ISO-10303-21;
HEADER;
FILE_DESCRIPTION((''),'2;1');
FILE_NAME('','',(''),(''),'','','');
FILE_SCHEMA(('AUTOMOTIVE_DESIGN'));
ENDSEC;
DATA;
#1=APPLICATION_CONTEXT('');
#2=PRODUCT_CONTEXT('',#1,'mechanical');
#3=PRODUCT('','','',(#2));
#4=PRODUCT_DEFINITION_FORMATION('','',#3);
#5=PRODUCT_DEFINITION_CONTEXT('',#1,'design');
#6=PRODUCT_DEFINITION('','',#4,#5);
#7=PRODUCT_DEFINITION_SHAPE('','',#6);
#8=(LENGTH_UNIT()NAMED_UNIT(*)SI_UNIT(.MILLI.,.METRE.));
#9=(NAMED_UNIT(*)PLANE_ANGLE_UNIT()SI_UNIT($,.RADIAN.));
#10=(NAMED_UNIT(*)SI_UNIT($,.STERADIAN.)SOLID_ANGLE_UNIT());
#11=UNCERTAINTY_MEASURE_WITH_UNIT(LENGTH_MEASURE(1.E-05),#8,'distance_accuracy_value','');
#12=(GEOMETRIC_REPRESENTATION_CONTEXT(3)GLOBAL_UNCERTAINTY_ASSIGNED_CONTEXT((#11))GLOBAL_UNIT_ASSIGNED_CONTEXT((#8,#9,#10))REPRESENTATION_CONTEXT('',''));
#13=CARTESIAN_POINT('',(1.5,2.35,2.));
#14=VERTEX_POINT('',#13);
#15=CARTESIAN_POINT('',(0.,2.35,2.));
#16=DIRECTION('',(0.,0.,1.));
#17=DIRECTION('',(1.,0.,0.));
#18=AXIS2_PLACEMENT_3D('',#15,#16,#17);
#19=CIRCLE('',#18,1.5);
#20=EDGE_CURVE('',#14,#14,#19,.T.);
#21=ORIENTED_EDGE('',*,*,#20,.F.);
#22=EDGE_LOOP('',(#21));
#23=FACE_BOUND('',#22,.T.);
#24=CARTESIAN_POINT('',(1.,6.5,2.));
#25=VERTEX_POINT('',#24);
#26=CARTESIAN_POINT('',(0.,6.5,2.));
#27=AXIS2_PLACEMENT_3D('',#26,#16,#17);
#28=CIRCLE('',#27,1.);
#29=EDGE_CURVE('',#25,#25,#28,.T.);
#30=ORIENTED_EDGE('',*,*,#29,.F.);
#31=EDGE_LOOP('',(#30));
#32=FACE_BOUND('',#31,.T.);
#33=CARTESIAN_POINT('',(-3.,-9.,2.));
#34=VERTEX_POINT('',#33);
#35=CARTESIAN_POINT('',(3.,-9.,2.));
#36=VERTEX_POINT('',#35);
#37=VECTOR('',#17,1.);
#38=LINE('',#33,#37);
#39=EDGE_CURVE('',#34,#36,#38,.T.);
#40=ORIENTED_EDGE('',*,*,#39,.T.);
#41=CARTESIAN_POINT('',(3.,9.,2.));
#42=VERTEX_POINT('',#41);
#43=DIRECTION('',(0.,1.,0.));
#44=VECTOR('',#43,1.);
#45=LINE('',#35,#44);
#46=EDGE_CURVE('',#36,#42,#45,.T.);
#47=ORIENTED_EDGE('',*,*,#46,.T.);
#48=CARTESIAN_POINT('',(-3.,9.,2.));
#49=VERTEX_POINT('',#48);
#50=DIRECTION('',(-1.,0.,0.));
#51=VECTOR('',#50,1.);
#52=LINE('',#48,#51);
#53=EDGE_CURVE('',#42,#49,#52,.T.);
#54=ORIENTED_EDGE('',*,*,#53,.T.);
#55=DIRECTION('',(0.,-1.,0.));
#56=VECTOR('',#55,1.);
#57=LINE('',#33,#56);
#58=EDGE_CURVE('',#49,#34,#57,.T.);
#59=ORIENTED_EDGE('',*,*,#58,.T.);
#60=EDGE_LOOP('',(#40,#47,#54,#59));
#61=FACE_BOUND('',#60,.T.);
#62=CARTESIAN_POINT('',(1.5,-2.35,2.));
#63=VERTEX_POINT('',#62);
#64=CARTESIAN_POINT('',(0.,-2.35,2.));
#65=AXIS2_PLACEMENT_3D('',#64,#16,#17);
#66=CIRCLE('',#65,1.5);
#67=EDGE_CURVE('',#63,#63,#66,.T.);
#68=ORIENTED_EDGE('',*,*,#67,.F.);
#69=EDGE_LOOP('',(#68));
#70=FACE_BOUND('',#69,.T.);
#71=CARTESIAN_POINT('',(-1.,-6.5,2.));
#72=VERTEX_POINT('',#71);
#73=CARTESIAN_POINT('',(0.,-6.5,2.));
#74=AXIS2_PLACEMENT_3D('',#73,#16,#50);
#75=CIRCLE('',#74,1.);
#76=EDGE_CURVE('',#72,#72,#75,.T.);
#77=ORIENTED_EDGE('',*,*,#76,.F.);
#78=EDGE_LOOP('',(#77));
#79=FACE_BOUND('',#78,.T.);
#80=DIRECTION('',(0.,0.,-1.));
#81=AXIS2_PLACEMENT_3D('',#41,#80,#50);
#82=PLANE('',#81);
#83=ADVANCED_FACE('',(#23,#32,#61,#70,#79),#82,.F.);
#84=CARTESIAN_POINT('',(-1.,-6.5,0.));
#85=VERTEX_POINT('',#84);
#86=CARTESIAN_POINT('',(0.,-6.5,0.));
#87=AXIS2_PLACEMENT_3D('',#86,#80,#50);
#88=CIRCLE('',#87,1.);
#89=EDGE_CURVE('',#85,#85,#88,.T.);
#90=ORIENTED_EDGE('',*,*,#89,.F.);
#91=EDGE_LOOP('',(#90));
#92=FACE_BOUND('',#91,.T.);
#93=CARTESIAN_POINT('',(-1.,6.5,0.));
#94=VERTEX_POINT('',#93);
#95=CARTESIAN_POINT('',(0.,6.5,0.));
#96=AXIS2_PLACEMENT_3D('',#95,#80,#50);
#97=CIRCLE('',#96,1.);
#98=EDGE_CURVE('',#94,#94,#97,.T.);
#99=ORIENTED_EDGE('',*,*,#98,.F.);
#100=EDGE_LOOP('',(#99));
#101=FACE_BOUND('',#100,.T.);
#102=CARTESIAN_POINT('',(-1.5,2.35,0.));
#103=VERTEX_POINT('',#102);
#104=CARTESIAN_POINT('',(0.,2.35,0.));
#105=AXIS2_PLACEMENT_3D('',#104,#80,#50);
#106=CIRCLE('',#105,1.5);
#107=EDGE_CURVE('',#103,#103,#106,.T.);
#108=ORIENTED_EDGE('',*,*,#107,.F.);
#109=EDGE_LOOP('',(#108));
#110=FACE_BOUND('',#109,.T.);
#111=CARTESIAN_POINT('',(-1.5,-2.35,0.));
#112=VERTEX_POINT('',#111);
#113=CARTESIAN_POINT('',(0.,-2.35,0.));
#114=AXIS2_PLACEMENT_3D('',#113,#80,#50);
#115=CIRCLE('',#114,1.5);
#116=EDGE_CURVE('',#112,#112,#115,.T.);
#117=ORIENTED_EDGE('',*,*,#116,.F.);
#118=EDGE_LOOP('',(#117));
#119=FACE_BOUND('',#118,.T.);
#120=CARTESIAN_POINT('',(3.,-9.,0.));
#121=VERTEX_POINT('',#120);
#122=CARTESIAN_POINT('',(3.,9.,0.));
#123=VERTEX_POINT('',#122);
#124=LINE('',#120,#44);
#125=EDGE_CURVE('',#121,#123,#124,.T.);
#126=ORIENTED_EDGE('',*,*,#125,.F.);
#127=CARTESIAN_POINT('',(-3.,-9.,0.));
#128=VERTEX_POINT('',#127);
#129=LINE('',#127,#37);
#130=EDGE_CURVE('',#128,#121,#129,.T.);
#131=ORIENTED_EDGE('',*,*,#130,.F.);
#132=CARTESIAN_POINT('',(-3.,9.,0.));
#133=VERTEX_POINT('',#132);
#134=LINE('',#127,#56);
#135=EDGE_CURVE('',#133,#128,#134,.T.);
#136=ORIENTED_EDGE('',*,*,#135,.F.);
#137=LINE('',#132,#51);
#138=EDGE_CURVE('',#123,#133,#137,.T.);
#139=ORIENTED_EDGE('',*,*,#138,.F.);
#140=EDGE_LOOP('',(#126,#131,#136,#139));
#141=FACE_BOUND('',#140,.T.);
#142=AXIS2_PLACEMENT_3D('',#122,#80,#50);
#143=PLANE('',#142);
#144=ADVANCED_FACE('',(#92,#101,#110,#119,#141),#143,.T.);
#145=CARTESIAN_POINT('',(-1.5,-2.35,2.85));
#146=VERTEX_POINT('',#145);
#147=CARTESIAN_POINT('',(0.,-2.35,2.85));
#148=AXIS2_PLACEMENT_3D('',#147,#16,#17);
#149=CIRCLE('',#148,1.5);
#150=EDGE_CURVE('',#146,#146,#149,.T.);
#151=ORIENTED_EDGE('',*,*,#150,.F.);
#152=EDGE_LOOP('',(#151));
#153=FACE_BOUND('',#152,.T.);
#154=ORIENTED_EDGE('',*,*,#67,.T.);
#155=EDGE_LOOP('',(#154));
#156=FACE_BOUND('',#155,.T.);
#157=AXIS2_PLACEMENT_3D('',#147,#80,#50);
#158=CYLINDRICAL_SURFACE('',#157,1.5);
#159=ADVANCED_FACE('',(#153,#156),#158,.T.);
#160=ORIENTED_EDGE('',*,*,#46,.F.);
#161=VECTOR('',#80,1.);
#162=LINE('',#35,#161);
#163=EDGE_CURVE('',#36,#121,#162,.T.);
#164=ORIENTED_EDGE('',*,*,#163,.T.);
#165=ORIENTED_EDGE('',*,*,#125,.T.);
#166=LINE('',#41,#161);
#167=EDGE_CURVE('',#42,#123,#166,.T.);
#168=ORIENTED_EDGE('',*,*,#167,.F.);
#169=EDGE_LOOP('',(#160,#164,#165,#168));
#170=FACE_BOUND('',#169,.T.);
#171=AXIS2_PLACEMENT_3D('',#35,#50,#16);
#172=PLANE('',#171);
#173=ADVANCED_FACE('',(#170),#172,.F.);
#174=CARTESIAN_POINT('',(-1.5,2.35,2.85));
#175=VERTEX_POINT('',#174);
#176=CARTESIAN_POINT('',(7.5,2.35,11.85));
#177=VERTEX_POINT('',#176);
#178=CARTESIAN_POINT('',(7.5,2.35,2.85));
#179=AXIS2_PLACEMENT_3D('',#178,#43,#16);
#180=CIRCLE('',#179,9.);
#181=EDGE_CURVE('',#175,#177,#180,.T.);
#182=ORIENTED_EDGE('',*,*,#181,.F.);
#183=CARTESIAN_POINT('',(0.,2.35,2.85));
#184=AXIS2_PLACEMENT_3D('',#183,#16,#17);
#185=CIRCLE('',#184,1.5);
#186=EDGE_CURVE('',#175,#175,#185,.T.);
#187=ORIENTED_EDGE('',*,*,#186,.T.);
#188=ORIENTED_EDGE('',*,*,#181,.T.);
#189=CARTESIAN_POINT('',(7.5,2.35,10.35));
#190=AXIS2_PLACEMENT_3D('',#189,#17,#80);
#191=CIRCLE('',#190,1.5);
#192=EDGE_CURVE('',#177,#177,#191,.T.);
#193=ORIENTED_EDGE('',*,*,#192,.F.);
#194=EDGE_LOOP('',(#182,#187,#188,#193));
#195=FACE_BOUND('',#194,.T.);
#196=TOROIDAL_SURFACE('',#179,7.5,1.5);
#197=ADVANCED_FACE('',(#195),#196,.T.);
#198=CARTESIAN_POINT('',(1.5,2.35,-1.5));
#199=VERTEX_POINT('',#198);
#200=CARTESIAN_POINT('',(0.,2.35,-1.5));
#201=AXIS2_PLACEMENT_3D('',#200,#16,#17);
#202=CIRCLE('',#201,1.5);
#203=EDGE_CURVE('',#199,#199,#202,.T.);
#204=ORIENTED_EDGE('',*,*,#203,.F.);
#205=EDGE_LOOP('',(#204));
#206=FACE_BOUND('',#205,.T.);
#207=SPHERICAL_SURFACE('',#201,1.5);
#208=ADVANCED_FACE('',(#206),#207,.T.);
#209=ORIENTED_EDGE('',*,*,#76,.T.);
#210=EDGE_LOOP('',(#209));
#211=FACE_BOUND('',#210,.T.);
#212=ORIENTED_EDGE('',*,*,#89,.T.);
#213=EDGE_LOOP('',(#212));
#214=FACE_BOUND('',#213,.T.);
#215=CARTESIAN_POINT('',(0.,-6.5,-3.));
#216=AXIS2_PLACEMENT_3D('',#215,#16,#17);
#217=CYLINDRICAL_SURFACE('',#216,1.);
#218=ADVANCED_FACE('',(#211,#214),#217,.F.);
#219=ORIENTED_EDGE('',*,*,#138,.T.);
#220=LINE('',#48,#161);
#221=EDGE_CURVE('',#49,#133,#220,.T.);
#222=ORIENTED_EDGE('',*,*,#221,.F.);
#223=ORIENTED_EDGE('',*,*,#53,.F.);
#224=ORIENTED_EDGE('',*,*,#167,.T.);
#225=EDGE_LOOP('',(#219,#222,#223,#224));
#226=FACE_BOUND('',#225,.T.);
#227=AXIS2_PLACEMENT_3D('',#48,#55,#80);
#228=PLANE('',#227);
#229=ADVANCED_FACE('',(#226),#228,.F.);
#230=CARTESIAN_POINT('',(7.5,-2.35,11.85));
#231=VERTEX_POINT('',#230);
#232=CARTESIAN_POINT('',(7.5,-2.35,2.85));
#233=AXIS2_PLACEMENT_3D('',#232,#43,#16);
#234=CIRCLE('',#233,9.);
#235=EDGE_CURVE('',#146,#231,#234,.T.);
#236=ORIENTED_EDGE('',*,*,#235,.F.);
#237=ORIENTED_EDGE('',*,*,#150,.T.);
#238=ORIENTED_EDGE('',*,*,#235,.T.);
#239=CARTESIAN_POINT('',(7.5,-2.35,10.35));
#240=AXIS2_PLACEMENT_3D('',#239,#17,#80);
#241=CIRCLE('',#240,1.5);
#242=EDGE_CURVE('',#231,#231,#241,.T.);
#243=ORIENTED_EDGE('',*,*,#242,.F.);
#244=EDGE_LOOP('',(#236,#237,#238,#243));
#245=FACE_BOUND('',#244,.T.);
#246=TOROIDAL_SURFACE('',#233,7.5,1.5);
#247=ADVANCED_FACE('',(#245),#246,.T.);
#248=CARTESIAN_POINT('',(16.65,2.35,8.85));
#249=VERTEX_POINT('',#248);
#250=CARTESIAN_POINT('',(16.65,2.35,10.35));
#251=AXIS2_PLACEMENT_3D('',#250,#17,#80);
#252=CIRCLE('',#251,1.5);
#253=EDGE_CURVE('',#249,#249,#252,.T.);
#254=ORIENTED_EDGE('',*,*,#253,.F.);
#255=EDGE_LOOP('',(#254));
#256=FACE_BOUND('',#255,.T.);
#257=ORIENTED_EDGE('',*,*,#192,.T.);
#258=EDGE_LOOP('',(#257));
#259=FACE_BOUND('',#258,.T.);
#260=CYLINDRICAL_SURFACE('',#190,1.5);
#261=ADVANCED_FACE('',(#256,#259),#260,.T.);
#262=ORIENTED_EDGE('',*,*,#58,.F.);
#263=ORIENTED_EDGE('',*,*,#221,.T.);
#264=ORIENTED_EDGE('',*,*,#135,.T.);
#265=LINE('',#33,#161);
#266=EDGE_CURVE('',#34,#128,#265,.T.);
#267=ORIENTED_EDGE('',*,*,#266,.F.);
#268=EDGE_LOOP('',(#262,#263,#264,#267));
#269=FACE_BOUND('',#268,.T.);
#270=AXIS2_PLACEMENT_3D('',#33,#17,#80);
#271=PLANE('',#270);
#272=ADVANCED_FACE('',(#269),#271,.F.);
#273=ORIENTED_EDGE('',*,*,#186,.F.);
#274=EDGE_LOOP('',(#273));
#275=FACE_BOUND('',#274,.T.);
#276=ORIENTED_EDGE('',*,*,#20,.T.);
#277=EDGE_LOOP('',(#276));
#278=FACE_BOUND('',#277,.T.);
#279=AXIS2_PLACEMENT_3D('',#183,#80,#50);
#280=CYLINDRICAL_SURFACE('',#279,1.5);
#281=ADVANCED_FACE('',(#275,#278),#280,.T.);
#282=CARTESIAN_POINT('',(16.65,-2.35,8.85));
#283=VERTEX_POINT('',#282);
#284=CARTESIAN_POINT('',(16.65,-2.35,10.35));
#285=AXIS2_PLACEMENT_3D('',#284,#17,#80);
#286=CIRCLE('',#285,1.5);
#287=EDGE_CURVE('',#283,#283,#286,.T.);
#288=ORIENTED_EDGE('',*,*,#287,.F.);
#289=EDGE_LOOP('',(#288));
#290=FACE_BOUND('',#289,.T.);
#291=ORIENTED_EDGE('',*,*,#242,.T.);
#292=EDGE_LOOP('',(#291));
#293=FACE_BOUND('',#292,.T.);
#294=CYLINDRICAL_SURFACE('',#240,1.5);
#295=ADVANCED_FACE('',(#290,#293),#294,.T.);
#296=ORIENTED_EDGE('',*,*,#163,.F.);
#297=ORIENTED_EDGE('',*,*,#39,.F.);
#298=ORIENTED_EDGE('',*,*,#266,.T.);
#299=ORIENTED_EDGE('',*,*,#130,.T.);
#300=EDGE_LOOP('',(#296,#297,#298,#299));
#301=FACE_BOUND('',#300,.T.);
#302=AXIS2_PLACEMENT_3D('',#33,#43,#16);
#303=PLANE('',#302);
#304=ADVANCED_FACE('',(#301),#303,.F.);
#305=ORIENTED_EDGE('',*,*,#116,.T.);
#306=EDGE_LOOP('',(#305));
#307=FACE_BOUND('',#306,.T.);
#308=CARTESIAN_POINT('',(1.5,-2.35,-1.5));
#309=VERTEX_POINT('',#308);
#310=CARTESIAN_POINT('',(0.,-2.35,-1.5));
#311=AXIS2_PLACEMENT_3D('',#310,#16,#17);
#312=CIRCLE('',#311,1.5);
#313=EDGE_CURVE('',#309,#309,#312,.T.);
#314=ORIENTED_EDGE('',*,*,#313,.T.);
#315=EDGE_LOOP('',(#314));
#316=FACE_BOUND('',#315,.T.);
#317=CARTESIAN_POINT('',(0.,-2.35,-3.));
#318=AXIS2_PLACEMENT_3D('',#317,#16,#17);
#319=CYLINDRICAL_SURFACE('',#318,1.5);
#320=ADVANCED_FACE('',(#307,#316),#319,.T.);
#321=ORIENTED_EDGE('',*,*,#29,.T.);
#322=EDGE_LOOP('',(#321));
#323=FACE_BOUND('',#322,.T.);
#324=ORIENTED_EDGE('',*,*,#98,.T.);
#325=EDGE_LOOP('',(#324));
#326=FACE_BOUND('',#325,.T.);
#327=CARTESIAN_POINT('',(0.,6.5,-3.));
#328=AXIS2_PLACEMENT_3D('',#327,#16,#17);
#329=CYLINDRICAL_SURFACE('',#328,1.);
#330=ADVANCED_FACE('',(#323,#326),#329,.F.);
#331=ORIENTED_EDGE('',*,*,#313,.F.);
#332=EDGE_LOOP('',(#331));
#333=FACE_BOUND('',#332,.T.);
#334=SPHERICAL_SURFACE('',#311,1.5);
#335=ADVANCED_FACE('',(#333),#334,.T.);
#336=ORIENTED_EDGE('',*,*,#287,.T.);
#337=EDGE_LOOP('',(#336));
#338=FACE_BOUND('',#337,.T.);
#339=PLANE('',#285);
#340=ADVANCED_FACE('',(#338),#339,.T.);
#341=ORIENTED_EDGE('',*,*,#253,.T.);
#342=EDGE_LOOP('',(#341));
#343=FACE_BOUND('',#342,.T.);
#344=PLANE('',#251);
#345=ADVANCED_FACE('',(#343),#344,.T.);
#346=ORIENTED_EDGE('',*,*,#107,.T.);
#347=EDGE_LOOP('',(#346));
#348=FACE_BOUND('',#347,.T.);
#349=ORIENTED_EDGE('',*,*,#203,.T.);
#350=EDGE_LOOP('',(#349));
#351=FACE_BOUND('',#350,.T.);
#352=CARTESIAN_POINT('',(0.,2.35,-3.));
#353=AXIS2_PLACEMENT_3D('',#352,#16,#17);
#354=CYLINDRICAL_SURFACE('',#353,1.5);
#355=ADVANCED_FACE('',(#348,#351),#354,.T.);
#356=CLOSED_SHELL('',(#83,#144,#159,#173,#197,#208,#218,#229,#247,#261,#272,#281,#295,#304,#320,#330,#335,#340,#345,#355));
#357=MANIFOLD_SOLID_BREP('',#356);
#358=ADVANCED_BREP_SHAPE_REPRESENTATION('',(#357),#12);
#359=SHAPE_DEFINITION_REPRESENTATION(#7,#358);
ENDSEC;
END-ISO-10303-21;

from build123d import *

# Parameters (mm, degrees)
SKETCH1_W           = 6
SKETCH1_H           = 18
BOSS_EXTRUDE1_DEPTH = 2
SKETCH2_R           = 1.5
BOSS_EXTRUDE2_DEPTH = 3
FILLET1_R           = 1.5
SKETCH3_R           = 1.5
SKETCH5_R           = 1
CUT_EXTRUDE1_DEPTH  = 22.33647117


with BuildPart() as part:
    # Sketch1 → Boss-Extrude1 (new body)
    with BuildSketch(Plane.XY):
        Rectangle(SKETCH1_W, SKETCH1_H)
    extrude(amount=BOSS_EXTRUDE1_DEPTH)

    # Sketch2 → Boss-Extrude2 (add)
    with BuildSketch(Plane(origin=(0, 0, 0), x_dir=(-1, 0, 0), z_dir=(0, 0, -1))):
        with Locations((0, 2.35)):
            Circle(SKETCH2_R)
        with Locations((0, -2.35)):
            Circle(SKETCH2_R)
    extrude(amount=BOSS_EXTRUDE2_DEPTH)

    # Fillet1
    fillet1_edges = [part.edges().sort_by_distance(p)[0] for p in [
        (1.5, 2.35, -3),
        (1.5, -2.35, -3),
    ]]
    fillet(fillet1_edges, radius=FILLET1_R)

    # Sweep1: sweep along a path in Sketch4
    with BuildLine(Plane(origin=(0, 2.35, 0), x_dir=(-1, 0, 0), z_dir=(0, 1, 0))) as sweep1_path:
        Line((0, 2), (0, 2.85))
        ThreePointArc((0, 2.85), (-2.196699141, 8.153300859), (-7.5, 10.35))
        Line((-7.5, 10.35), (-16.65, 10.35))
    # Sketch3 → Sweep1 (sweep)
    with BuildSketch(Plane.XY.offset(2)):
        with Locations((0, -2.35)):
            Circle(SKETCH3_R)
        with Locations((0, 2.35)):
            Circle(SKETCH3_R)
    sweep(path=sweep1_path.line)

    # Sketch5 → Cut-Extrude1 (cut, through all)
    with BuildSketch(Plane.XY.offset(2)):
        with Locations((0, 6.5)):
            Circle(SKETCH5_R)
        with Locations(Location((0, -6.5, 0), (0, 0, 180))):
            Circle(SKETCH5_R)
    extrude(amount=-CUT_EXTRUDE1_DEPTH, mode=Mode.SUBTRACT)


solid = part.part
